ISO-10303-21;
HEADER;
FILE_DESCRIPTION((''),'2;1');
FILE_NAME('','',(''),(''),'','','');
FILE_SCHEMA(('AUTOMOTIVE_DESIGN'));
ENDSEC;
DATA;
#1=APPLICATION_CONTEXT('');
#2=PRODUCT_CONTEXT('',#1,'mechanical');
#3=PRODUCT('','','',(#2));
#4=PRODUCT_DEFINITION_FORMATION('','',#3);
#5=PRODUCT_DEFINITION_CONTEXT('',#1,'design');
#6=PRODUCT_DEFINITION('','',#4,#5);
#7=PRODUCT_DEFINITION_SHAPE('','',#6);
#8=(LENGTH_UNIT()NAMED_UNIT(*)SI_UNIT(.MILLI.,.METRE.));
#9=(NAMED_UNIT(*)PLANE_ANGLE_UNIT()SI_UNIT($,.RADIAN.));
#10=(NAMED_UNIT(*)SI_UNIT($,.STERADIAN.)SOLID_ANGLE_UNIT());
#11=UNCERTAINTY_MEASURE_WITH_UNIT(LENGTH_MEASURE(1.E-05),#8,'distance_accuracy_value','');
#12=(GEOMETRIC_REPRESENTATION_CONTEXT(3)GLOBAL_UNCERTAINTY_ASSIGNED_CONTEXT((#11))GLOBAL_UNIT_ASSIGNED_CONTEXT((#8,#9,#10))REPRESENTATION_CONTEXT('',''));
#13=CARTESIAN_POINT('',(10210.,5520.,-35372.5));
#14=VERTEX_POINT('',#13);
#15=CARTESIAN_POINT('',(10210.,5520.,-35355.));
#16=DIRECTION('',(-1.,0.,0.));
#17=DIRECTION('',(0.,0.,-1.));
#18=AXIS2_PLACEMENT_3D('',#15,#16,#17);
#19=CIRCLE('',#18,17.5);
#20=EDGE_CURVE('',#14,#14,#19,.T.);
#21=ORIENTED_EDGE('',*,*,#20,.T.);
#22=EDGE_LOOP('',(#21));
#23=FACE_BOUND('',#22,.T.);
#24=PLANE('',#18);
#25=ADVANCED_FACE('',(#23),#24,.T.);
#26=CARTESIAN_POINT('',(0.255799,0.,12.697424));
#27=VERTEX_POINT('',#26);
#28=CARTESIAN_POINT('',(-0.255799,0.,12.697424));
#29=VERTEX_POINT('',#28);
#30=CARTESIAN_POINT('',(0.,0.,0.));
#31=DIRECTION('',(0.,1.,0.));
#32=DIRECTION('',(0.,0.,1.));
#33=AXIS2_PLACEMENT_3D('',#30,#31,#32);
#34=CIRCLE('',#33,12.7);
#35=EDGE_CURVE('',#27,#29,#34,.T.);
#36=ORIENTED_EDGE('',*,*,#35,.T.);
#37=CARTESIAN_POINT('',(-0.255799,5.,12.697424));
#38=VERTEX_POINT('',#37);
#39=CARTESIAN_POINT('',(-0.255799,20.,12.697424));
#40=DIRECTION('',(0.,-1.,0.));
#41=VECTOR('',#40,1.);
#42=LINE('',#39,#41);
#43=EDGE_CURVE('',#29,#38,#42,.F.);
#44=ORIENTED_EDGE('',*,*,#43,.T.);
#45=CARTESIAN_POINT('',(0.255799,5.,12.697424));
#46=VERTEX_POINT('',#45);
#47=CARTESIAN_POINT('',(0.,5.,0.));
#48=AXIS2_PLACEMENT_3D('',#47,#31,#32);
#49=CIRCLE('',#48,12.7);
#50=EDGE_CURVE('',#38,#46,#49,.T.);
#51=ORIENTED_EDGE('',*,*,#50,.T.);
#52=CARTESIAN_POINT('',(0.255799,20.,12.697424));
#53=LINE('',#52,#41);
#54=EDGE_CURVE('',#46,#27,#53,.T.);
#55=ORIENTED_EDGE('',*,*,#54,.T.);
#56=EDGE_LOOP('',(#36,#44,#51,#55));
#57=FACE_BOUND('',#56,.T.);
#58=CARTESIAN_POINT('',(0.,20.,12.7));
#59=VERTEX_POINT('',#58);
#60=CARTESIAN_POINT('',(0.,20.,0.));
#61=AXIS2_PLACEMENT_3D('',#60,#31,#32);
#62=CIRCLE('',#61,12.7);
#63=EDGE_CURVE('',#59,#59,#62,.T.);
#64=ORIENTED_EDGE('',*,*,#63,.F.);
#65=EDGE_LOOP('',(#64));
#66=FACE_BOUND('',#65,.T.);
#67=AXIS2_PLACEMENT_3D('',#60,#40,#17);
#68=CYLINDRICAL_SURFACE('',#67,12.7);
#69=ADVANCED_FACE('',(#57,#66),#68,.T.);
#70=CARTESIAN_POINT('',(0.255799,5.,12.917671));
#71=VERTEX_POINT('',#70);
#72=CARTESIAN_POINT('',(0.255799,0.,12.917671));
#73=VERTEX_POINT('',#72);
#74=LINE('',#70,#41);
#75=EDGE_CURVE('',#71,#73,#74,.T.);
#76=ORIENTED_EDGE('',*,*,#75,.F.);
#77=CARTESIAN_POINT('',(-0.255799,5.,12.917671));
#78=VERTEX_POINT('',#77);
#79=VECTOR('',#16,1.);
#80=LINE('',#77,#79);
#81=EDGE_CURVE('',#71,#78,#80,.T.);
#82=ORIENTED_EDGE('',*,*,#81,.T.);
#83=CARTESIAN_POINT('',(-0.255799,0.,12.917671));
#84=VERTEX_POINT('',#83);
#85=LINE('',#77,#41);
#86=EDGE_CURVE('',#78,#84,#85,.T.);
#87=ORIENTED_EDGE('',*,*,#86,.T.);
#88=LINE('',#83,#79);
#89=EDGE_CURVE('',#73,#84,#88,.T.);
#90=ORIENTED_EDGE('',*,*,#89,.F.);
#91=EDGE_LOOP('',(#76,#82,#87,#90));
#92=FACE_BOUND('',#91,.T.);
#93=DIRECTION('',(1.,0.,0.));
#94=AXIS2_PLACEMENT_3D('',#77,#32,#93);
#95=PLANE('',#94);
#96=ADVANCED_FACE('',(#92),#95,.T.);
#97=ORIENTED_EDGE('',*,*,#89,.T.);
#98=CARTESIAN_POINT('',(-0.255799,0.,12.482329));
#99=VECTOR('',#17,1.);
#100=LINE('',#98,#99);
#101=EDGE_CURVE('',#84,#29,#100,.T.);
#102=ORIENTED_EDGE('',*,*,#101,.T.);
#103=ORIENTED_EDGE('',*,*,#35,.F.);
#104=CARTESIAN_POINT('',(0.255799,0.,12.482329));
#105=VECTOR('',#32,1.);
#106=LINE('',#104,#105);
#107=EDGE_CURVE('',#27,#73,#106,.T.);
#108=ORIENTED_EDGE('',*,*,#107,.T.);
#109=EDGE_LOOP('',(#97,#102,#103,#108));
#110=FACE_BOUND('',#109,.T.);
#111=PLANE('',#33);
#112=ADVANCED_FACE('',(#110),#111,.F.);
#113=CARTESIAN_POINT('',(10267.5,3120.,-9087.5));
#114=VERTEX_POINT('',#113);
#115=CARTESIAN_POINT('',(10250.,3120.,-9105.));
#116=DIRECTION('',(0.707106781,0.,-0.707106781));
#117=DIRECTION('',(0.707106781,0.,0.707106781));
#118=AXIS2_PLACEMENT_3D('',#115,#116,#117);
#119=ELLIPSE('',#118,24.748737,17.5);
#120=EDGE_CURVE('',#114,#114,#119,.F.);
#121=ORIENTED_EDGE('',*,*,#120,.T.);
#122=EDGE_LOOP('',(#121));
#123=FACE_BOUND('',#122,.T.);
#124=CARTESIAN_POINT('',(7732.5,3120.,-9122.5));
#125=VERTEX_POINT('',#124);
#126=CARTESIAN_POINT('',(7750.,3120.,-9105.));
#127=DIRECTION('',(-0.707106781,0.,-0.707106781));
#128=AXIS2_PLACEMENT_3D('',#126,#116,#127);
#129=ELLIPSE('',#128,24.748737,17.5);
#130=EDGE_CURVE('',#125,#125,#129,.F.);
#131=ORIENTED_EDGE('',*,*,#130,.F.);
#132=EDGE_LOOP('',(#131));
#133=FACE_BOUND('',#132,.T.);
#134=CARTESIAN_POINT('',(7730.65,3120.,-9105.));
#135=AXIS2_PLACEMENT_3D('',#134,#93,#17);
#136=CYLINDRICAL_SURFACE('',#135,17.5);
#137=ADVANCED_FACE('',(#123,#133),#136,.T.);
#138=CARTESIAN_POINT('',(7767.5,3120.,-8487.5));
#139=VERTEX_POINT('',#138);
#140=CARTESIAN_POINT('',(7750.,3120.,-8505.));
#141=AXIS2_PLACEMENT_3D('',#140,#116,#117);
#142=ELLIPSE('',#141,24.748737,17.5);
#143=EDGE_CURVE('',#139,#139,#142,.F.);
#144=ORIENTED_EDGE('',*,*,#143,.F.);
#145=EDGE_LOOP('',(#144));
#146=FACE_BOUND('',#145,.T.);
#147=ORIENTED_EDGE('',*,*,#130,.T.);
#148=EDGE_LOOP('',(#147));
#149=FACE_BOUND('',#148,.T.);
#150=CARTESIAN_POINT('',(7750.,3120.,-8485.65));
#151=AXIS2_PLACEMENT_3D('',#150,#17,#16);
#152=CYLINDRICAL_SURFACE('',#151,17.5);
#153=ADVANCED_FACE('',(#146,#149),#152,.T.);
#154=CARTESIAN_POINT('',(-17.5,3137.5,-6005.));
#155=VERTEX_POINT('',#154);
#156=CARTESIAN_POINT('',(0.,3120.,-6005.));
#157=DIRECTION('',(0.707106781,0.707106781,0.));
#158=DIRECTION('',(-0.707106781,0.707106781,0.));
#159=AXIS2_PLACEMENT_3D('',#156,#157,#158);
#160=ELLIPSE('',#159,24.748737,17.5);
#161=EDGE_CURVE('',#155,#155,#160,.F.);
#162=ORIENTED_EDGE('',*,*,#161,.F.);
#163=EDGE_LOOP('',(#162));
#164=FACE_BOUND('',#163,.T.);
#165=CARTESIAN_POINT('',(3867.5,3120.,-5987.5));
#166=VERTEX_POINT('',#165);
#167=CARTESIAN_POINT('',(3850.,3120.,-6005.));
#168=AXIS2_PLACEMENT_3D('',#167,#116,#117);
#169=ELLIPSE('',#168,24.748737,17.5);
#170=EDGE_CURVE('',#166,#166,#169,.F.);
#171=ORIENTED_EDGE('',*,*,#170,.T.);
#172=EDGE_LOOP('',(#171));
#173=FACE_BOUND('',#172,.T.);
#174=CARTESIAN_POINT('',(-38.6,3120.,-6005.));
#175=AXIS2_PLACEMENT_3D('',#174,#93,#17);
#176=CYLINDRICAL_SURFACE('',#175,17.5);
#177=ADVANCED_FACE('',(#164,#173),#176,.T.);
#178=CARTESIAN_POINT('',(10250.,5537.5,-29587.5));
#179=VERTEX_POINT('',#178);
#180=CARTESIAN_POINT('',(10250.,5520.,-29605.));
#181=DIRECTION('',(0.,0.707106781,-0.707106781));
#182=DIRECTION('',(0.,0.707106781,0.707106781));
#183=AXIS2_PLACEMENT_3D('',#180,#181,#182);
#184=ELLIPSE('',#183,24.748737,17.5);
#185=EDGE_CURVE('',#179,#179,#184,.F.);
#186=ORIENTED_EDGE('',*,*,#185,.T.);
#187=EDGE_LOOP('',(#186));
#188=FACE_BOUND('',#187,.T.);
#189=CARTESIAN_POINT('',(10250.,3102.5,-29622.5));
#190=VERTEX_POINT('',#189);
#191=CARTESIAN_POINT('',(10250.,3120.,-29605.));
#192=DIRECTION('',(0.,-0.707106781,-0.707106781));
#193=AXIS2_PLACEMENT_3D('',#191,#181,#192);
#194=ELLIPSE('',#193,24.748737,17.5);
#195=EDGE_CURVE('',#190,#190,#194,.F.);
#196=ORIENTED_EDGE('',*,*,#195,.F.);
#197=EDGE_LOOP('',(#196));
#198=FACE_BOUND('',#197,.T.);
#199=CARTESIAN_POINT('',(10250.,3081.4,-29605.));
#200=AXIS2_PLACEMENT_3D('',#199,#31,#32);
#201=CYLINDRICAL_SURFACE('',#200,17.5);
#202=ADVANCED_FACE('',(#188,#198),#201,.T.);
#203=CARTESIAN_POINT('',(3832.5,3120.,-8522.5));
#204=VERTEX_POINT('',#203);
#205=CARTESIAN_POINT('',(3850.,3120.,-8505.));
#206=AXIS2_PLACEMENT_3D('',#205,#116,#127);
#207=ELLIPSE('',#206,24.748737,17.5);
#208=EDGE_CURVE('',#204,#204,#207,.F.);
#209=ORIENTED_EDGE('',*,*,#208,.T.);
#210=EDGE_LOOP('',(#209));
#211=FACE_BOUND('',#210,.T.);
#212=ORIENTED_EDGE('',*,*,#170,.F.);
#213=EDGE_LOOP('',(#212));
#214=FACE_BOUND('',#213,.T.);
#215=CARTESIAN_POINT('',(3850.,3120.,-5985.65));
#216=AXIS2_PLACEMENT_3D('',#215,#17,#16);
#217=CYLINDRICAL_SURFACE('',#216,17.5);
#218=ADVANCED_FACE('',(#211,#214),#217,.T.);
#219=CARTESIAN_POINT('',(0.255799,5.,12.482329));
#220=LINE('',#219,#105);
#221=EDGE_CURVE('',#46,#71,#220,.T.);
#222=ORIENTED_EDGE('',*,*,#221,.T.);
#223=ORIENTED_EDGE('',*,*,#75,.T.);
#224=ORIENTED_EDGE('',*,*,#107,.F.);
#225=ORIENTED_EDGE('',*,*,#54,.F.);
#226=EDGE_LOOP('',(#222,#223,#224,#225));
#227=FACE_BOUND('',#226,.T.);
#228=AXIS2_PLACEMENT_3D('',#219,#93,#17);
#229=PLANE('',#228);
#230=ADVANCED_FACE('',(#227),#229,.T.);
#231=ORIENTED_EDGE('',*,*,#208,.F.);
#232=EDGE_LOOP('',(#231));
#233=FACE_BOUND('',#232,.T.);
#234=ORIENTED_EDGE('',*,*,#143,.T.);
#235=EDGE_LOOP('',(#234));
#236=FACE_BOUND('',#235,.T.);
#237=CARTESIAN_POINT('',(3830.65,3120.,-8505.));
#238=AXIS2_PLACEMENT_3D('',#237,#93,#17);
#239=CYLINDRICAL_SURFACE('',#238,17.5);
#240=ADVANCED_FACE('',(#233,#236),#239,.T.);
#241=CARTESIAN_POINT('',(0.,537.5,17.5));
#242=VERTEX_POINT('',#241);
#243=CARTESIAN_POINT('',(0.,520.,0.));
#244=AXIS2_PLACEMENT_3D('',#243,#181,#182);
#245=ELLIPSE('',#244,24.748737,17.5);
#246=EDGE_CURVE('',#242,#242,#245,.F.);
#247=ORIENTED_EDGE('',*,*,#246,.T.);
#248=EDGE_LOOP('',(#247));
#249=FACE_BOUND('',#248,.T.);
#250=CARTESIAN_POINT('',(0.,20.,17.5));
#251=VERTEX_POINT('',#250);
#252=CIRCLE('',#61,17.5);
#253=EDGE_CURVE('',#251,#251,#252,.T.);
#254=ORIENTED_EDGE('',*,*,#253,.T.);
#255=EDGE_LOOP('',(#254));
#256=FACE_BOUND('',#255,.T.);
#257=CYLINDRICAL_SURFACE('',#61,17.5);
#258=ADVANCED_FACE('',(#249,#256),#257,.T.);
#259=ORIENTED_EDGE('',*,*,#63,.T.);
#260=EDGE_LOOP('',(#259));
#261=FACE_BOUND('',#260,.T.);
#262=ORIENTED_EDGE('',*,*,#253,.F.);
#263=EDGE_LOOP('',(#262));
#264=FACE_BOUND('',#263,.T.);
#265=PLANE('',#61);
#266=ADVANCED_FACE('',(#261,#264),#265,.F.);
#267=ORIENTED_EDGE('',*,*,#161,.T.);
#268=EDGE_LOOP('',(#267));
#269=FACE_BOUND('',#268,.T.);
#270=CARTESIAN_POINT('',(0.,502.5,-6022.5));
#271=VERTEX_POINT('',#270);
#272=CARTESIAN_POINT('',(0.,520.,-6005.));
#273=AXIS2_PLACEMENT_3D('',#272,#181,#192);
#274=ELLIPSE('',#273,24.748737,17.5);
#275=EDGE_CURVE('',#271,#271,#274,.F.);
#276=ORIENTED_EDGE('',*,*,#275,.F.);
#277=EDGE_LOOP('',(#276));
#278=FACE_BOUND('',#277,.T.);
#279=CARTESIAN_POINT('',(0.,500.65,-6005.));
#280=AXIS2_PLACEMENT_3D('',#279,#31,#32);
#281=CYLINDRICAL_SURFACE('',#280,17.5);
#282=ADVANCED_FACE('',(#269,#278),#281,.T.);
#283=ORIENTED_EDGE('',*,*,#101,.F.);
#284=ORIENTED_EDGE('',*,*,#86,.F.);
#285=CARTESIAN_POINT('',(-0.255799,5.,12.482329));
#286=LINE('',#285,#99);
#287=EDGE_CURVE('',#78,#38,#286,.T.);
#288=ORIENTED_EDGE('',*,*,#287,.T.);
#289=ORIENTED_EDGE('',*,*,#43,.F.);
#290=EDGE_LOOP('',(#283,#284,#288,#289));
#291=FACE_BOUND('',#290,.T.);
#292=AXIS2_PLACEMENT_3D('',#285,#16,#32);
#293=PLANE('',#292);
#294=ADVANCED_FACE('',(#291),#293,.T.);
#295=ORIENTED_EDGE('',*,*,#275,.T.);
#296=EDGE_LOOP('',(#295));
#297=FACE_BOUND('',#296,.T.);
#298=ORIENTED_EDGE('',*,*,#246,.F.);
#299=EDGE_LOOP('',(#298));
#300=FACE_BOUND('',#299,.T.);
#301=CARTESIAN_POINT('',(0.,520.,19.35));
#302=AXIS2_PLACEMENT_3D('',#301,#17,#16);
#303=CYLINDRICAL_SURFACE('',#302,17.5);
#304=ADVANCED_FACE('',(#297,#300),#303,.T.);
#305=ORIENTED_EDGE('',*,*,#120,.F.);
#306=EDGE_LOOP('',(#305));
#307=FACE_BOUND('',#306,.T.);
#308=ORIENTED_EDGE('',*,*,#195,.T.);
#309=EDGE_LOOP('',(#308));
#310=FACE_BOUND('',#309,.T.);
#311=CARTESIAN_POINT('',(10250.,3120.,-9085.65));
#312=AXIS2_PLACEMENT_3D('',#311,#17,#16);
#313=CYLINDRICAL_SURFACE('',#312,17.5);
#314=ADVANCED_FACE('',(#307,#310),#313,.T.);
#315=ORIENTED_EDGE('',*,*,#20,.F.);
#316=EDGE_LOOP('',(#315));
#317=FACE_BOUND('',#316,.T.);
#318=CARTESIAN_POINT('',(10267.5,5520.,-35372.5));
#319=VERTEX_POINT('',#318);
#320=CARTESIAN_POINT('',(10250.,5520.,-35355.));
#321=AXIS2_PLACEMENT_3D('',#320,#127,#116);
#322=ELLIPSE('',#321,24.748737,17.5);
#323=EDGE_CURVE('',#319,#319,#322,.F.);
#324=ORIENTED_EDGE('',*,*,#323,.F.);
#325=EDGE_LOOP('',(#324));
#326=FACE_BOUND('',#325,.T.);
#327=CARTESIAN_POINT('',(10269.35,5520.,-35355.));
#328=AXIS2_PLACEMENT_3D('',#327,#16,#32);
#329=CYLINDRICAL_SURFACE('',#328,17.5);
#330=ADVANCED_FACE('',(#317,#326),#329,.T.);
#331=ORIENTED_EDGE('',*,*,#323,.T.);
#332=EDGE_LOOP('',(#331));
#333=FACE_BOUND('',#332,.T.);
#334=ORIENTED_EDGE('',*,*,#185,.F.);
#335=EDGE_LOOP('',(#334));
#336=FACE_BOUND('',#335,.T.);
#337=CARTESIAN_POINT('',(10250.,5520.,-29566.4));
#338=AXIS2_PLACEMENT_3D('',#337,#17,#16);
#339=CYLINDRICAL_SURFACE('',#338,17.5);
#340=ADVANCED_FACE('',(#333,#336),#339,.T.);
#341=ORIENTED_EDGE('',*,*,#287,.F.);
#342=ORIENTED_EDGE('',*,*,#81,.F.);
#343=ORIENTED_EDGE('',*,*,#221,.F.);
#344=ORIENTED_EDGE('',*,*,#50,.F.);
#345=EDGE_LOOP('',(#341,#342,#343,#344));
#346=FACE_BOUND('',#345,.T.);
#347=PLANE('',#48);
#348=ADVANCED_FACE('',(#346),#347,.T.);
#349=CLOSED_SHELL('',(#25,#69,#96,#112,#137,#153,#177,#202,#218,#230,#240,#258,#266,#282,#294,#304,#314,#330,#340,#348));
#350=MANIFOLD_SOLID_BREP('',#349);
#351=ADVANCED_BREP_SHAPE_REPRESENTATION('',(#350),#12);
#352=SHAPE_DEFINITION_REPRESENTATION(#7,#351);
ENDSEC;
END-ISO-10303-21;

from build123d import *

# Parameters (mm, degrees)
CROQUIS2_R              = 12.7
SALIENTE_EXTRUIR1_DEPTH = 20
CROQUIS3_R              = 17.5
CROQUIS4_W              = 0.511597732
CROQUIS4_H              = 0.43534191
SALIENTE_EXTRUIR2_DEPTH = 5


with BuildPart() as part:
    # Croquis2 → Saliente-Extruir1 (new body)
    with BuildSketch(Plane(origin=(0, 0, 0), x_dir=(1, 0, 0), z_dir=(0, 1, 0))):
        with Locations(Location((0, 0, 0), (0, 0, 270))):
            Circle(CROQUIS2_R)
    extrude(amount=SALIENTE_EXTRUIR1_DEPTH)

    # Barrer1: sweep along a curve in space
    with BuildLine() as barrer1_path:
        Line((0, 20, 0), (0, 520, 0))
        Line((0, 520, 0), (0, 520, -6005))
        Line((0, 520, -6005), (0, 3120, -6005))
        Line((0, 3120, -6005), (3850, 3120, -6005))
        Line((3850, 3120, -6005), (3850, 3120, -8505))
        Line((3850, 3120, -8505), (7750, 3120, -8505))
        Line((7750, 3120, -8505), (7750, 3120, -9105))
        Line((7750, 3120, -9105), (10250, 3120, -9105))
        Line((10250, 3120, -9105), (10250, 3120, -29605))
        Line((10250, 3120, -29605), (10250, 5520, -29605))
        Line((10250, 5520, -29605), (10250, 5520, -35355))
        Line((10250, 5520, -35355), (10210, 5520, -35355))
    # Croquis3 → Barrer1 (sweep)
    with BuildSketch(Plane(origin=(0, 20, 0), x_dir=(1, 0, 0), z_dir=(0, 1, 0))):
        Circle(CROQUIS3_R)
    sweep(path=barrer1_path.line, transition=Transition.RIGHT)

    # Croquis4 → Saliente-Extruir2 (add)
    with BuildSketch(Plane.XZ):
        with Locations((0, 12.7)):
            Rectangle(CROQUIS4_W, CROQUIS4_H)
    extrude(amount=-SALIENTE_EXTRUIR2_DEPTH)


solid = part.part
